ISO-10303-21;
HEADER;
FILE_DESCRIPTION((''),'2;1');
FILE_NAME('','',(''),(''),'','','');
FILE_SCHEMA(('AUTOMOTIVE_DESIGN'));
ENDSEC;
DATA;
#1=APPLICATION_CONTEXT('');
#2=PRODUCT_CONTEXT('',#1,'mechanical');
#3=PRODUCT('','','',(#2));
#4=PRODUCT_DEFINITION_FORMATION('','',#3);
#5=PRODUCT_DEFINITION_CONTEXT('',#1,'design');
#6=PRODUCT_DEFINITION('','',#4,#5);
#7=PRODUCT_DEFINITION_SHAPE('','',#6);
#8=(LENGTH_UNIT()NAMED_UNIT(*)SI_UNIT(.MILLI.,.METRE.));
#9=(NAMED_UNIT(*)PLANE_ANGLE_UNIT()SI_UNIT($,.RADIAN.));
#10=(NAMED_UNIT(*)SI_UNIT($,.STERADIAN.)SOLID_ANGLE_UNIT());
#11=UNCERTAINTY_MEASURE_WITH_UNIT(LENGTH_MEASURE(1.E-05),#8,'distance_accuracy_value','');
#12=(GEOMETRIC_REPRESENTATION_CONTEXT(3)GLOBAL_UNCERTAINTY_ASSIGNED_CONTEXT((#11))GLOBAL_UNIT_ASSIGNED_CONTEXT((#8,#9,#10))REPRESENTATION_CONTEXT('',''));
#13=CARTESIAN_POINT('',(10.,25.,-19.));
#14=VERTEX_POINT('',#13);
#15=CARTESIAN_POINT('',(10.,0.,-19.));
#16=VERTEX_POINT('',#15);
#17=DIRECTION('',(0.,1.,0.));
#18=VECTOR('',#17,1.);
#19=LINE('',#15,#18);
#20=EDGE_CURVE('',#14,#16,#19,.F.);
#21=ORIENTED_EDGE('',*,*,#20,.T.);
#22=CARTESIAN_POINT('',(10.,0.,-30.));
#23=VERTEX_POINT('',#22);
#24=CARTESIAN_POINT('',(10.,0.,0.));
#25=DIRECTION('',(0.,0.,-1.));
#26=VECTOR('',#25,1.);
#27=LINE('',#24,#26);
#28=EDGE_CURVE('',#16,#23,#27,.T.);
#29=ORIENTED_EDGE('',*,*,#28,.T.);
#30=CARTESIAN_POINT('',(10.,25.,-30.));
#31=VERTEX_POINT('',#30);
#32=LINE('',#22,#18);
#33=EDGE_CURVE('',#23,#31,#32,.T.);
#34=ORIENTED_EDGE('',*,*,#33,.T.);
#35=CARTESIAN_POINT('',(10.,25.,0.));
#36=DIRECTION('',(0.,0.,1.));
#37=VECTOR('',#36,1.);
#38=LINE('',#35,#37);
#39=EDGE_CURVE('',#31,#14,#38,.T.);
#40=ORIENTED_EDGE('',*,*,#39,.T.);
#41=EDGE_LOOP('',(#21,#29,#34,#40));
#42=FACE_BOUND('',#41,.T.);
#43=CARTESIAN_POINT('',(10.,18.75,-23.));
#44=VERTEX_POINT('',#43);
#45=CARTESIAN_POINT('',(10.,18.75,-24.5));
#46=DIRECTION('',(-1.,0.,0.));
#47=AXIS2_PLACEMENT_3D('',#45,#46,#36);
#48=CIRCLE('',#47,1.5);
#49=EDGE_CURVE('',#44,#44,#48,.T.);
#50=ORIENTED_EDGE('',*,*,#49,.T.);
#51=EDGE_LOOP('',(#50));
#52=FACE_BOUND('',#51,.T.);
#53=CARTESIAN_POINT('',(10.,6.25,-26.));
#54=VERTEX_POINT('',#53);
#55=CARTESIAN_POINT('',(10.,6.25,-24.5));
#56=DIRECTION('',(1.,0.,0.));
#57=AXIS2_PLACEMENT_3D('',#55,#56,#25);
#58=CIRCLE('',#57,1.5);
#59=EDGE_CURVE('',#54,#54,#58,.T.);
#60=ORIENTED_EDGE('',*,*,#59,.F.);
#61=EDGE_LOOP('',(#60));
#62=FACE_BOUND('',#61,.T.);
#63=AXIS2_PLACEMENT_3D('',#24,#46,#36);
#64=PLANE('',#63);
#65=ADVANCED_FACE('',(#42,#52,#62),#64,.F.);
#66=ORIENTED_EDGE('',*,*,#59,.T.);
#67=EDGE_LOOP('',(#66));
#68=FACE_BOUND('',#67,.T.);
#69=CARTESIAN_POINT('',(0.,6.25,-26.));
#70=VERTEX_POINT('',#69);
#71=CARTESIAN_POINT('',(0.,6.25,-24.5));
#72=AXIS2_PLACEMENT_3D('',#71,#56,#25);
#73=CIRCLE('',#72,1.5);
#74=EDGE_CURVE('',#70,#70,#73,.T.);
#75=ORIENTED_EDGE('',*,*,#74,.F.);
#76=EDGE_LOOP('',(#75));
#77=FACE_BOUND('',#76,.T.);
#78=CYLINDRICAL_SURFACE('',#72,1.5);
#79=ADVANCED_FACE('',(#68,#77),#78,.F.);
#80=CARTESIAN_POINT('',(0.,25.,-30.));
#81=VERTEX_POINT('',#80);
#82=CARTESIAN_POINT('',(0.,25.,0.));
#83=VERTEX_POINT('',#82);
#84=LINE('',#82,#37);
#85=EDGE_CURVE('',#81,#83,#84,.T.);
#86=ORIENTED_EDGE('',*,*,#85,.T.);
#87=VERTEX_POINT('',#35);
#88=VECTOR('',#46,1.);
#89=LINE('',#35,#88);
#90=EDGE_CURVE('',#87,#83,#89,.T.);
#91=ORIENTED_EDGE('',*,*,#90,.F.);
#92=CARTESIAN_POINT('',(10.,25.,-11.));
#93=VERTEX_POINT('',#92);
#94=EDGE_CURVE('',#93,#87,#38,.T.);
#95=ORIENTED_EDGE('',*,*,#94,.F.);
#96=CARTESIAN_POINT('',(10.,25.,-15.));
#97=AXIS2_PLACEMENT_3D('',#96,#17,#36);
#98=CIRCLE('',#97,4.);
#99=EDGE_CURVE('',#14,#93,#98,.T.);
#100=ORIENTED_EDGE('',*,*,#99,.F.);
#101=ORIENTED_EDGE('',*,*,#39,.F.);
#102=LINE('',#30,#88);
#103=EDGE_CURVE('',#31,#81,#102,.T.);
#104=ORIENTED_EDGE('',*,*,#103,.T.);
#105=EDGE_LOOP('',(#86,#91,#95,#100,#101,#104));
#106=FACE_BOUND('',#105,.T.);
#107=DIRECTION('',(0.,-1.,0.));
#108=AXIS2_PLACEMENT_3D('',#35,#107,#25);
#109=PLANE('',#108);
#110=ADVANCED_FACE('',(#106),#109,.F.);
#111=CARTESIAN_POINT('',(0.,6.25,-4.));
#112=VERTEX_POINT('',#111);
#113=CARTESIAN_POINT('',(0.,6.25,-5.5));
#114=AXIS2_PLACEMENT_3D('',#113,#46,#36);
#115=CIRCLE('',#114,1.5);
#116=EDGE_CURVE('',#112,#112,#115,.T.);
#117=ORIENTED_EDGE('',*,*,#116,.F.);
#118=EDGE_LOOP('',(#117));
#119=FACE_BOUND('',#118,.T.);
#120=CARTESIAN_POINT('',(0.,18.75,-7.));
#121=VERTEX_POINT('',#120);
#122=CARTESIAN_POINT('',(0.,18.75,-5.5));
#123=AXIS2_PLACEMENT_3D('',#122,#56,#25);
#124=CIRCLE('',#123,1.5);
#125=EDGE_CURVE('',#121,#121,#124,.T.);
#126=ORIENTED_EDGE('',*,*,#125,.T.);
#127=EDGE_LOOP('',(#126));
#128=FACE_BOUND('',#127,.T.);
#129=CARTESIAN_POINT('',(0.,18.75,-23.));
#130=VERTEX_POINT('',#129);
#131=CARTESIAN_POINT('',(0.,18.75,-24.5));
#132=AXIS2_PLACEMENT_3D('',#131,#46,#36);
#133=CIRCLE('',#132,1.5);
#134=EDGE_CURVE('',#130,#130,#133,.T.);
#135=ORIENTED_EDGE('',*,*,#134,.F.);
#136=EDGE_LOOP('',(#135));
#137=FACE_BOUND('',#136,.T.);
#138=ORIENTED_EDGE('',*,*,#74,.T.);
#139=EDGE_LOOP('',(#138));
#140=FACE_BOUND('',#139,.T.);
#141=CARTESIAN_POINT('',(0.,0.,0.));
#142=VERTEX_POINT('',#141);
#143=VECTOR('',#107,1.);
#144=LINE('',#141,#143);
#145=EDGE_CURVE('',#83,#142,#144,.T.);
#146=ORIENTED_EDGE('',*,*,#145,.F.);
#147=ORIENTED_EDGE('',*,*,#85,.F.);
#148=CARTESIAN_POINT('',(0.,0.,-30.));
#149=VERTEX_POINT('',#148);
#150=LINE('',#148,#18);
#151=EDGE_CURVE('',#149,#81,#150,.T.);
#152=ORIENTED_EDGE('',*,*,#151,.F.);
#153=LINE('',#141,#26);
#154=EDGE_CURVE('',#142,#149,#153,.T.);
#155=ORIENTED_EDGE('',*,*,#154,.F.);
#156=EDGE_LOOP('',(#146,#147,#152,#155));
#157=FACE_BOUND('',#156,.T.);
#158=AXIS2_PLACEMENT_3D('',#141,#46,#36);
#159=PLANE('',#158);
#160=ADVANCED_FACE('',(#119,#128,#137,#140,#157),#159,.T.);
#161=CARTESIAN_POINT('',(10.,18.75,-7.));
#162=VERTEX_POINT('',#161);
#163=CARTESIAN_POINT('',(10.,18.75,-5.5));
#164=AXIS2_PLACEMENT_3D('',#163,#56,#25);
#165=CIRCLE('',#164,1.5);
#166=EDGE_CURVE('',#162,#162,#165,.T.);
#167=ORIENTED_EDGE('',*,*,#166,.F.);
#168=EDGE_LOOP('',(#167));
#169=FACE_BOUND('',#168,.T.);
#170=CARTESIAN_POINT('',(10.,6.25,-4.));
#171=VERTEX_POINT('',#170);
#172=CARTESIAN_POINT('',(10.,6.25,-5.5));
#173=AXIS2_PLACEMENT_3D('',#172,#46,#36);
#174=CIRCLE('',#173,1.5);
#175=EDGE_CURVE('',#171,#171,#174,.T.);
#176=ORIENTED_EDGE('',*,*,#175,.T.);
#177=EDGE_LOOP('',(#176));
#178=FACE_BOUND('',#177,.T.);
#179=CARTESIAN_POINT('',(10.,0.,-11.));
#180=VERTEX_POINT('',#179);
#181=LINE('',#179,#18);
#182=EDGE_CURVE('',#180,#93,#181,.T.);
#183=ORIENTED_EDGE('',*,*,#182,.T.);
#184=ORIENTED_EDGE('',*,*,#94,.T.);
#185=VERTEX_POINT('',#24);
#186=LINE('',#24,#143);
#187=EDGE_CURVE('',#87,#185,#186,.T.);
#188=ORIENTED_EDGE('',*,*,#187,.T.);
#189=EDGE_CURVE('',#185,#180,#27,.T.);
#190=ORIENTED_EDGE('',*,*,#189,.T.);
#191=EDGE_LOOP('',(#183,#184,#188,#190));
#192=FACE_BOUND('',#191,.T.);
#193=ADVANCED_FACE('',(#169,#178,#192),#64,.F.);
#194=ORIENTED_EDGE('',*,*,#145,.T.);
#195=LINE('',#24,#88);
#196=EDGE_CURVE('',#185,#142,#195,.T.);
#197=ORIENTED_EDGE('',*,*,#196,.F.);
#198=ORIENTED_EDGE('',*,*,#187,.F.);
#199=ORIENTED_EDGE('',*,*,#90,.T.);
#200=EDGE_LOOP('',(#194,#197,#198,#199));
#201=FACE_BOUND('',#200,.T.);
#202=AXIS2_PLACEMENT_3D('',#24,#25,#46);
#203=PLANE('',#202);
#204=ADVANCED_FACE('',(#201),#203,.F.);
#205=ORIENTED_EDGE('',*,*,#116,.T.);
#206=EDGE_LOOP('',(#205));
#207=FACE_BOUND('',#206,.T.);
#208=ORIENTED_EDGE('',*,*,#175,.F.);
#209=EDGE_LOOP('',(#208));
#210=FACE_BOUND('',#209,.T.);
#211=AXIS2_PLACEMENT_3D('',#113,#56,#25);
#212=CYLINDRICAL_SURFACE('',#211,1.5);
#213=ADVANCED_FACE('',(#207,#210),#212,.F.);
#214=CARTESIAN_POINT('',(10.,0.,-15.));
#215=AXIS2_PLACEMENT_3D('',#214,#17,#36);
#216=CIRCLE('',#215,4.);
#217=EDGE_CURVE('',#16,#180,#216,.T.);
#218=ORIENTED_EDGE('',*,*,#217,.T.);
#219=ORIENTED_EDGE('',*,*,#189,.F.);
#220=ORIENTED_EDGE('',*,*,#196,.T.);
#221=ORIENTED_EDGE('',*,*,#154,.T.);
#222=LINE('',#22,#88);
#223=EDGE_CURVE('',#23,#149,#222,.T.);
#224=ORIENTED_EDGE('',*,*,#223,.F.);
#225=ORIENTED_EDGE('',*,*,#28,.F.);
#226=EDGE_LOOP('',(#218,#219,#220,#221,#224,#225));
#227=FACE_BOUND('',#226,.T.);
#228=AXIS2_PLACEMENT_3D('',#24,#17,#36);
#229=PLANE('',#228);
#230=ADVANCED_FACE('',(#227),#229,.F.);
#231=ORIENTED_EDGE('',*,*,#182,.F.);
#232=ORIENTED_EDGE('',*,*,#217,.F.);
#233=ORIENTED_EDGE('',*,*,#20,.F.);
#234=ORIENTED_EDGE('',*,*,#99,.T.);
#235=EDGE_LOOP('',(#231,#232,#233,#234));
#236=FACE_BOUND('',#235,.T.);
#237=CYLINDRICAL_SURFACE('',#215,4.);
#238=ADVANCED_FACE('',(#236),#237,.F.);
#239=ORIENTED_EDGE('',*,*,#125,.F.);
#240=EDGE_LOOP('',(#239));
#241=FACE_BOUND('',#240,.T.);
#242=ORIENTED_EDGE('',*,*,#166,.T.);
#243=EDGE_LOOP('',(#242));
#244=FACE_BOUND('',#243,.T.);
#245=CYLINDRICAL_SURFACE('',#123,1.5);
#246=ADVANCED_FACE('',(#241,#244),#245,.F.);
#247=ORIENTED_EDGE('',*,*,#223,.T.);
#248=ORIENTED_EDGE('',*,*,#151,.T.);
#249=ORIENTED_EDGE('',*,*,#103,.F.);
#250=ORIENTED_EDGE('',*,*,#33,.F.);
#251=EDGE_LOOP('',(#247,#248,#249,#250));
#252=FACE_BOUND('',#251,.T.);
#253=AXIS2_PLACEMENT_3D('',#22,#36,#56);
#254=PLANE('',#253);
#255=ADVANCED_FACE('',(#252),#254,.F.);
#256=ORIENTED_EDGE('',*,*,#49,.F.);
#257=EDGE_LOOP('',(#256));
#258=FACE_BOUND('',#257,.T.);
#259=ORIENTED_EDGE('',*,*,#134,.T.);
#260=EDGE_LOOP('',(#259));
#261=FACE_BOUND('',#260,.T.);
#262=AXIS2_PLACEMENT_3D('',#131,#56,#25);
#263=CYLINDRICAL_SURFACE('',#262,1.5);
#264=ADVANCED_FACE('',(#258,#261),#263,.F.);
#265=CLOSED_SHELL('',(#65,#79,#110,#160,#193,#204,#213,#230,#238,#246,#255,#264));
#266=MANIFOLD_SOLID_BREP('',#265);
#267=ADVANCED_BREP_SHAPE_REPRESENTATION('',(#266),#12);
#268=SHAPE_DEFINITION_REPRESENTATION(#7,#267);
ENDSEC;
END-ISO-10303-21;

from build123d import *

# Parameters (mm, degrees)
SKETCH_1_W          = 30
SKETCH_1_H          = 25
EXTRUDE_1_DEPTH     = 10
SKETCH_2_R          = 4
CUT_EXTRUDE_1_DEPTH = 41.311288741
SKETCH_3_R          = 1.5
CUT_EXTRUDE_2_DEPTH = 41.311288741


with BuildPart() as part:
    # 스케치1 → 보스-돌출1 (new body)
    with BuildSketch(Plane(origin=(0, 0, 0), x_dir=(0, 0, -1), z_dir=(1, 0, 0))):
        with Locations((15, 12.5)):
            Rectangle(SKETCH_1_W, SKETCH_1_H)
    extrude(amount=EXTRUDE_1_DEPTH)

    # 스케치2 → 컷-돌출1 (cut, through all)
    with BuildSketch(Plane(origin=(0, 25, 0), x_dir=(1, 0, 0), z_dir=(0, 1, 0))):
        with Locations((10, 15)):
            Circle(SKETCH_2_R)
    extrude(amount=-CUT_EXTRUDE_1_DEPTH, mode=Mode.SUBTRACT)

    # 스케치3 → 컷-돌출2 (cut, through all)
    with BuildSketch(Plane(origin=(10, 0, 0), x_dir=(0, 0, -1), z_dir=(1, 0, 0))):
        with Locations((5.5, 18.75)):
            Circle(SKETCH_3_R)
        with Locations(Location((24.5, 18.75, 0), (0, 0, 180))):
            Circle(SKETCH_3_R)
        with Locations(Location((5.5, 6.25, 0), (0, 0, 180))):
            Circle(SKETCH_3_R)
        with Locations((24.5, 6.25)):
            Circle(SKETCH_3_R)
    extrude(amount=-CUT_EXTRUDE_2_DEPTH, mode=Mode.SUBTRACT)


solid = part.part
